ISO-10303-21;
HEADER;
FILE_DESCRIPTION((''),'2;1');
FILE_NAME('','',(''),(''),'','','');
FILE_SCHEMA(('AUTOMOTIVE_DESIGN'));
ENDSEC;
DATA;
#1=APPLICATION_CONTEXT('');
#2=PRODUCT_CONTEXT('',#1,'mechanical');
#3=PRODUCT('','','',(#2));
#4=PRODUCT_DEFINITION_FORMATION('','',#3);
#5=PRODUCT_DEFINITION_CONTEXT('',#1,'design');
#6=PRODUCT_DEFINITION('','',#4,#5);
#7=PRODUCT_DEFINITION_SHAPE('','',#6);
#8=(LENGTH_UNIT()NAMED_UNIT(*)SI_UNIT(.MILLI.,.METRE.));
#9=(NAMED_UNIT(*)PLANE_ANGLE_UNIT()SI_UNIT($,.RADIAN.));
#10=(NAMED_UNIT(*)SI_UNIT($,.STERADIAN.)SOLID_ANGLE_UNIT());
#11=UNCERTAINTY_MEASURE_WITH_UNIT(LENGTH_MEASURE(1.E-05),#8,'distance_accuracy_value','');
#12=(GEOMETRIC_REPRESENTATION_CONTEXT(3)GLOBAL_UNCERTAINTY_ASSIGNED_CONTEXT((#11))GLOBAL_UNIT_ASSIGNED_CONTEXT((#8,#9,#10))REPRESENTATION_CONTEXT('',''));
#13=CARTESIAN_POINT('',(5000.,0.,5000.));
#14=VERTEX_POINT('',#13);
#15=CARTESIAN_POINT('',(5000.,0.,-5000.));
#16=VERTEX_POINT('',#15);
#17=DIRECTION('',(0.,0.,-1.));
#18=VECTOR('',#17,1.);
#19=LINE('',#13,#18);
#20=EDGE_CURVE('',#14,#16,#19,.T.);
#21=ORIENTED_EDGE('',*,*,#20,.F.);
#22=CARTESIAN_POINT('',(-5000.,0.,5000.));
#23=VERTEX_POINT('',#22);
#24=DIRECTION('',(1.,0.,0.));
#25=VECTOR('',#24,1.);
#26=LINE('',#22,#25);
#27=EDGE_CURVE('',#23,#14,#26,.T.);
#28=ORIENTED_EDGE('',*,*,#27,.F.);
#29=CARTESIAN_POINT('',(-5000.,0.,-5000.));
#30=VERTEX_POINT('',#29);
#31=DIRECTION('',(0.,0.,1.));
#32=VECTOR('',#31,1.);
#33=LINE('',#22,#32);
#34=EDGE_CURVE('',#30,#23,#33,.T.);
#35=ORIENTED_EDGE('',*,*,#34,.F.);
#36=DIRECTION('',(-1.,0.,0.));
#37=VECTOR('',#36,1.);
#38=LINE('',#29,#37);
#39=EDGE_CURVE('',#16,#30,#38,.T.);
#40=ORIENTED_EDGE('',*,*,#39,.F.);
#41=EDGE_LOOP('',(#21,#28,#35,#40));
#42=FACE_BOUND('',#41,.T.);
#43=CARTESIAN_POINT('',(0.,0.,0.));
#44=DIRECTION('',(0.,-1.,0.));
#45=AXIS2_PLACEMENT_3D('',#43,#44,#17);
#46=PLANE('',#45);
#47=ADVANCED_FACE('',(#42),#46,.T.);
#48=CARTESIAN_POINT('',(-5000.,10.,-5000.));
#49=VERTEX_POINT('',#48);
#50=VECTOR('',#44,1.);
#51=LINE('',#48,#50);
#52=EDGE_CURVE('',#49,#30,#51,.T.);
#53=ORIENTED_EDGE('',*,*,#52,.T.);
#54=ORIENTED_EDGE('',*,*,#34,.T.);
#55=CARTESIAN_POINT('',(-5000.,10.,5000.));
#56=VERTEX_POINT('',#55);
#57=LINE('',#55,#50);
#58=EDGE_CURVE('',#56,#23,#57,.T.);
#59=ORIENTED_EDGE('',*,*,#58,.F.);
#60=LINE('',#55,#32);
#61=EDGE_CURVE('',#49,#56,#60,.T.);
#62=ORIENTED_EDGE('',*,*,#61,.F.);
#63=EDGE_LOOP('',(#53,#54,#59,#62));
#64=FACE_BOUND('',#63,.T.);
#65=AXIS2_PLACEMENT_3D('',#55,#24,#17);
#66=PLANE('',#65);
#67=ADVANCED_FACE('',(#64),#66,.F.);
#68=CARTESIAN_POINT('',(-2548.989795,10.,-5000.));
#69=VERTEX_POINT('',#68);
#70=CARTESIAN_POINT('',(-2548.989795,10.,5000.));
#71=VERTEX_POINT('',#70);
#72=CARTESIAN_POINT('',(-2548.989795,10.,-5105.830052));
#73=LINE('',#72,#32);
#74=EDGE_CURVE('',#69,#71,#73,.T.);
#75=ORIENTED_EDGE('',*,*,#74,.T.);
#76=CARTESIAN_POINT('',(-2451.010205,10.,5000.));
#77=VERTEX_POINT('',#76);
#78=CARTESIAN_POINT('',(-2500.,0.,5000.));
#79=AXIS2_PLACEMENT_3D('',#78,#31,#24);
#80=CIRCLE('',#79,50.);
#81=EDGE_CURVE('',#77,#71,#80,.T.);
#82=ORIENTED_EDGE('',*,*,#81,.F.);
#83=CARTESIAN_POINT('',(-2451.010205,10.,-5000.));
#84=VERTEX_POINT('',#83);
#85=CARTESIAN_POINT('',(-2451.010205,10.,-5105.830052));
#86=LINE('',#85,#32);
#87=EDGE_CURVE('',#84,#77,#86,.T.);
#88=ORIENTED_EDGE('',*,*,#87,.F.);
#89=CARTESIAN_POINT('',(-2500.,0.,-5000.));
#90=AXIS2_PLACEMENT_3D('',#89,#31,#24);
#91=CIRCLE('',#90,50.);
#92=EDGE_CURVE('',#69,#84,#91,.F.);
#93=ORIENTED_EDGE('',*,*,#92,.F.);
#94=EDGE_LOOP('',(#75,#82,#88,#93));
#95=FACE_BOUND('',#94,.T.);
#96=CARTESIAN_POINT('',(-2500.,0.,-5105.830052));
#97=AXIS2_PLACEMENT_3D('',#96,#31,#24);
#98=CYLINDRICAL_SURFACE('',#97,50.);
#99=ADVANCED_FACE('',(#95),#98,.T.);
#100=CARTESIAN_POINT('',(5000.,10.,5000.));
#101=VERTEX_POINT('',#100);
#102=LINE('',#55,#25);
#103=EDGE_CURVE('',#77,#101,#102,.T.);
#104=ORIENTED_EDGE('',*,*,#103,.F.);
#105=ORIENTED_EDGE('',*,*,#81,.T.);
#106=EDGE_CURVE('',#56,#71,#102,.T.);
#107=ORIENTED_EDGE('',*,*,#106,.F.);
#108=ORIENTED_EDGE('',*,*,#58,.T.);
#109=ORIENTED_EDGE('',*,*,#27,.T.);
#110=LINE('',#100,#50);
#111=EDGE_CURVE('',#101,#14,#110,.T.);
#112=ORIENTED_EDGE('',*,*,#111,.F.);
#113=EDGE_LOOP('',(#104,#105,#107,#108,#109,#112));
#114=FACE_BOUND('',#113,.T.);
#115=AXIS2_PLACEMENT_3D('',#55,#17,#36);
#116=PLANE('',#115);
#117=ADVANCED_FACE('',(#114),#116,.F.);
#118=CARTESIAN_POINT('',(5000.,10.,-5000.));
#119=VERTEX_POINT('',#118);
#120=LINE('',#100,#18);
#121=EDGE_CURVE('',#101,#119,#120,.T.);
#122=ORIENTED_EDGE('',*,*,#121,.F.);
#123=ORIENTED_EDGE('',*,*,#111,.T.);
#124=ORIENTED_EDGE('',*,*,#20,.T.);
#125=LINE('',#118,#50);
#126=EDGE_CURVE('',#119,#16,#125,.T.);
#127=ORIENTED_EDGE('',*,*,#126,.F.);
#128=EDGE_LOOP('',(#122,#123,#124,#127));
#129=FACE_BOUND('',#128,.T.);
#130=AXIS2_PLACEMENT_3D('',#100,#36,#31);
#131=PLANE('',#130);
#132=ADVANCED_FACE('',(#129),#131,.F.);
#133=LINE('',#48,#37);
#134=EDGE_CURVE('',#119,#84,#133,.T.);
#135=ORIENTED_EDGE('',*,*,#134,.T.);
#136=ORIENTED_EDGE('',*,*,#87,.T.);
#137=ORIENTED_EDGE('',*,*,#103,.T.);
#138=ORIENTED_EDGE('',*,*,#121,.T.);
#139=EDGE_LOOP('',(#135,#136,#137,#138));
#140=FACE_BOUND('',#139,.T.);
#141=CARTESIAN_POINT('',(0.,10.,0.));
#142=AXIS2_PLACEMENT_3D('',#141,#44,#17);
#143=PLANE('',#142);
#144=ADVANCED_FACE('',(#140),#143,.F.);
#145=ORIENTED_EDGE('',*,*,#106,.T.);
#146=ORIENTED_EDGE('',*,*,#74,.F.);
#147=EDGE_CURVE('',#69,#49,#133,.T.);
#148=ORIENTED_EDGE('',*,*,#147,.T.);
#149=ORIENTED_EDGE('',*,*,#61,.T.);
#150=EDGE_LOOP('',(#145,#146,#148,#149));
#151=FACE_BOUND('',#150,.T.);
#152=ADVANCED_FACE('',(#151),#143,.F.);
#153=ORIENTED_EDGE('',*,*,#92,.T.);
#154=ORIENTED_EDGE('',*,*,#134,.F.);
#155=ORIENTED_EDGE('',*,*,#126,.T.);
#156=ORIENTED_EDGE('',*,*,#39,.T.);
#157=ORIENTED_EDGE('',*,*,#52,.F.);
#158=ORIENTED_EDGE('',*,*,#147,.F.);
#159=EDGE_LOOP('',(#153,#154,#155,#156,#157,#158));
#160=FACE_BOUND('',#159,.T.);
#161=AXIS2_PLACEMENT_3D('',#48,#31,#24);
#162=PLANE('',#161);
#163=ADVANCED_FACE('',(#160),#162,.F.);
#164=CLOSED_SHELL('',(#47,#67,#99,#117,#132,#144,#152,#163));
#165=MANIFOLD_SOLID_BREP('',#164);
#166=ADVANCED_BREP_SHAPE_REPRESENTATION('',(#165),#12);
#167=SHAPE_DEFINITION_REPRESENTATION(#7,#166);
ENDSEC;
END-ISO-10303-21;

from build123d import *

# Parameters (mm, degrees)
SKETCH1_W           = 10000
SKETCH1_H           = 10000
BOSS_EXTRUDE1_DEPTH = 10
BOSS_EXTRUDE3_DEPTH = 10000


with BuildPart() as part:
    # Sketch1 → Boss-Extrude1 (new body)
    with BuildSketch(Plane(origin=(0, 0, 0), x_dir=(1, 0, 0), z_dir=(0, 1, 0))):
        Rectangle(SKETCH1_W, SKETCH1_H)
    extrude(amount=BOSS_EXTRUDE1_DEPTH)

    # Sketch4 → Boss-Extrude3 (add)
    with BuildSketch(Plane.XY.offset(5000)):
        with BuildLine():
            Line((-2451.010205144, 10), (-2548.989794856, 10))
            ThreePointArc((-2548.989794856, 10), (-2500, 50), (-2451.010205144, 10))
        make_face()
    extrude(amount=-BOSS_EXTRUDE3_DEPTH)


solid = part.part
